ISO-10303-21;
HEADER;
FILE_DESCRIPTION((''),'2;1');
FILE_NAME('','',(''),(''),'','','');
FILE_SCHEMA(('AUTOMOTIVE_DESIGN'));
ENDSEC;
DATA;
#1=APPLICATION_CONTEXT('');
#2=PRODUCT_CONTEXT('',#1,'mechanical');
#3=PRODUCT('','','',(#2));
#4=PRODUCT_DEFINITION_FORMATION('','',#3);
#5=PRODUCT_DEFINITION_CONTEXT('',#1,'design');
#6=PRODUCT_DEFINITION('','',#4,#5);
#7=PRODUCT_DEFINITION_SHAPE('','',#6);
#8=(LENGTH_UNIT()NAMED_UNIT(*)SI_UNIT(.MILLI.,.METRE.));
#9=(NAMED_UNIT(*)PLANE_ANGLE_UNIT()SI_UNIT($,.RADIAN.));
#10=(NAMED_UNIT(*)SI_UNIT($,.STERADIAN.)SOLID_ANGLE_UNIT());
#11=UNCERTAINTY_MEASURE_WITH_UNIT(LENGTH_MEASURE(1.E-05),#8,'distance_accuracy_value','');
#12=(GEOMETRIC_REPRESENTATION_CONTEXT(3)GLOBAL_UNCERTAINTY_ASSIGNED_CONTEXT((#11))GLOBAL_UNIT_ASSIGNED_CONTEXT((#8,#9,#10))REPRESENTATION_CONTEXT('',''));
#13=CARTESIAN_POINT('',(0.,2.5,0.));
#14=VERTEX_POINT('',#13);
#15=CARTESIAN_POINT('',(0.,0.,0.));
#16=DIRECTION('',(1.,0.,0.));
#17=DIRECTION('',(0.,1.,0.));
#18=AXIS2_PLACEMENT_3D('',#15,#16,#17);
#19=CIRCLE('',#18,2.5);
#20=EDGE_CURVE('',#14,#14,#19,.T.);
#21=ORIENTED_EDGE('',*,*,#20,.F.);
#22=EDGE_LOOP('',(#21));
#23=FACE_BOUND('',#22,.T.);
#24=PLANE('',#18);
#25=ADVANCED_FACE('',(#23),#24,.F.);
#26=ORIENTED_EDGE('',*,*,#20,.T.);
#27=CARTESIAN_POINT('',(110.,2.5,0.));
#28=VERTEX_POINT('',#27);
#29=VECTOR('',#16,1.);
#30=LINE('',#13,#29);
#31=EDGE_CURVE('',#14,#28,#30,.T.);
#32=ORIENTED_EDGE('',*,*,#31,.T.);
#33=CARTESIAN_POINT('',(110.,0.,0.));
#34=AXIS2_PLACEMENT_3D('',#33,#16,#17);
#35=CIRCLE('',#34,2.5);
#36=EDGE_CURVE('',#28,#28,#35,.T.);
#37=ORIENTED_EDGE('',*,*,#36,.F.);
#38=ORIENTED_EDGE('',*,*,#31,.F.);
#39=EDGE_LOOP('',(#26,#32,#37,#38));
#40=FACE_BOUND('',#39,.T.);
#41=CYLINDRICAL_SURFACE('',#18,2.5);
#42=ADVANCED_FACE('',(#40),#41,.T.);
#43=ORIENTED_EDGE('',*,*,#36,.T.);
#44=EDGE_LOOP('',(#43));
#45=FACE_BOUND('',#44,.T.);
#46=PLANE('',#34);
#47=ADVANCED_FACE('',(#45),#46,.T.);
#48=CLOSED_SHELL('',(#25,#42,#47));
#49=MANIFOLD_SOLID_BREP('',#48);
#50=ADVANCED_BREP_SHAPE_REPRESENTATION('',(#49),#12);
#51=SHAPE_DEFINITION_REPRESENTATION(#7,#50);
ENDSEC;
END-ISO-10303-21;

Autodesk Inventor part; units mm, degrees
ref_plane "Startebene" through (0, 0, 0) normal (1, 0, 0) x (0, 1, 0)
ref_plane "XZ Plane" through (0, 0, 0) normal (0, 1, 0) x (-1, 0, 0)
ref_plane "XY Plane" through (0, 0, 0) normal (0, 0, 1) x (1, 0, 0)
sketch "Hauptskizze" plane through (0, 0, 0) normal (0, 0, 1) x (1, 0, 0)
  line L0 (0, 0) -> (110, 0)
  line L1 (0, 0) -> (0, 2.5)
  line L2 (110, 2.5) -> (110, 0)
  line L3 (0, 2.5) -> (110, 2.5)
  dimension "d3" = 5
revolve "Umdrehung1" add sketch "Hauptskizze" angle 360 about axis through (0, 0, 0) along (1, 0, 0)
properties part number "Welle" material "Steel"
